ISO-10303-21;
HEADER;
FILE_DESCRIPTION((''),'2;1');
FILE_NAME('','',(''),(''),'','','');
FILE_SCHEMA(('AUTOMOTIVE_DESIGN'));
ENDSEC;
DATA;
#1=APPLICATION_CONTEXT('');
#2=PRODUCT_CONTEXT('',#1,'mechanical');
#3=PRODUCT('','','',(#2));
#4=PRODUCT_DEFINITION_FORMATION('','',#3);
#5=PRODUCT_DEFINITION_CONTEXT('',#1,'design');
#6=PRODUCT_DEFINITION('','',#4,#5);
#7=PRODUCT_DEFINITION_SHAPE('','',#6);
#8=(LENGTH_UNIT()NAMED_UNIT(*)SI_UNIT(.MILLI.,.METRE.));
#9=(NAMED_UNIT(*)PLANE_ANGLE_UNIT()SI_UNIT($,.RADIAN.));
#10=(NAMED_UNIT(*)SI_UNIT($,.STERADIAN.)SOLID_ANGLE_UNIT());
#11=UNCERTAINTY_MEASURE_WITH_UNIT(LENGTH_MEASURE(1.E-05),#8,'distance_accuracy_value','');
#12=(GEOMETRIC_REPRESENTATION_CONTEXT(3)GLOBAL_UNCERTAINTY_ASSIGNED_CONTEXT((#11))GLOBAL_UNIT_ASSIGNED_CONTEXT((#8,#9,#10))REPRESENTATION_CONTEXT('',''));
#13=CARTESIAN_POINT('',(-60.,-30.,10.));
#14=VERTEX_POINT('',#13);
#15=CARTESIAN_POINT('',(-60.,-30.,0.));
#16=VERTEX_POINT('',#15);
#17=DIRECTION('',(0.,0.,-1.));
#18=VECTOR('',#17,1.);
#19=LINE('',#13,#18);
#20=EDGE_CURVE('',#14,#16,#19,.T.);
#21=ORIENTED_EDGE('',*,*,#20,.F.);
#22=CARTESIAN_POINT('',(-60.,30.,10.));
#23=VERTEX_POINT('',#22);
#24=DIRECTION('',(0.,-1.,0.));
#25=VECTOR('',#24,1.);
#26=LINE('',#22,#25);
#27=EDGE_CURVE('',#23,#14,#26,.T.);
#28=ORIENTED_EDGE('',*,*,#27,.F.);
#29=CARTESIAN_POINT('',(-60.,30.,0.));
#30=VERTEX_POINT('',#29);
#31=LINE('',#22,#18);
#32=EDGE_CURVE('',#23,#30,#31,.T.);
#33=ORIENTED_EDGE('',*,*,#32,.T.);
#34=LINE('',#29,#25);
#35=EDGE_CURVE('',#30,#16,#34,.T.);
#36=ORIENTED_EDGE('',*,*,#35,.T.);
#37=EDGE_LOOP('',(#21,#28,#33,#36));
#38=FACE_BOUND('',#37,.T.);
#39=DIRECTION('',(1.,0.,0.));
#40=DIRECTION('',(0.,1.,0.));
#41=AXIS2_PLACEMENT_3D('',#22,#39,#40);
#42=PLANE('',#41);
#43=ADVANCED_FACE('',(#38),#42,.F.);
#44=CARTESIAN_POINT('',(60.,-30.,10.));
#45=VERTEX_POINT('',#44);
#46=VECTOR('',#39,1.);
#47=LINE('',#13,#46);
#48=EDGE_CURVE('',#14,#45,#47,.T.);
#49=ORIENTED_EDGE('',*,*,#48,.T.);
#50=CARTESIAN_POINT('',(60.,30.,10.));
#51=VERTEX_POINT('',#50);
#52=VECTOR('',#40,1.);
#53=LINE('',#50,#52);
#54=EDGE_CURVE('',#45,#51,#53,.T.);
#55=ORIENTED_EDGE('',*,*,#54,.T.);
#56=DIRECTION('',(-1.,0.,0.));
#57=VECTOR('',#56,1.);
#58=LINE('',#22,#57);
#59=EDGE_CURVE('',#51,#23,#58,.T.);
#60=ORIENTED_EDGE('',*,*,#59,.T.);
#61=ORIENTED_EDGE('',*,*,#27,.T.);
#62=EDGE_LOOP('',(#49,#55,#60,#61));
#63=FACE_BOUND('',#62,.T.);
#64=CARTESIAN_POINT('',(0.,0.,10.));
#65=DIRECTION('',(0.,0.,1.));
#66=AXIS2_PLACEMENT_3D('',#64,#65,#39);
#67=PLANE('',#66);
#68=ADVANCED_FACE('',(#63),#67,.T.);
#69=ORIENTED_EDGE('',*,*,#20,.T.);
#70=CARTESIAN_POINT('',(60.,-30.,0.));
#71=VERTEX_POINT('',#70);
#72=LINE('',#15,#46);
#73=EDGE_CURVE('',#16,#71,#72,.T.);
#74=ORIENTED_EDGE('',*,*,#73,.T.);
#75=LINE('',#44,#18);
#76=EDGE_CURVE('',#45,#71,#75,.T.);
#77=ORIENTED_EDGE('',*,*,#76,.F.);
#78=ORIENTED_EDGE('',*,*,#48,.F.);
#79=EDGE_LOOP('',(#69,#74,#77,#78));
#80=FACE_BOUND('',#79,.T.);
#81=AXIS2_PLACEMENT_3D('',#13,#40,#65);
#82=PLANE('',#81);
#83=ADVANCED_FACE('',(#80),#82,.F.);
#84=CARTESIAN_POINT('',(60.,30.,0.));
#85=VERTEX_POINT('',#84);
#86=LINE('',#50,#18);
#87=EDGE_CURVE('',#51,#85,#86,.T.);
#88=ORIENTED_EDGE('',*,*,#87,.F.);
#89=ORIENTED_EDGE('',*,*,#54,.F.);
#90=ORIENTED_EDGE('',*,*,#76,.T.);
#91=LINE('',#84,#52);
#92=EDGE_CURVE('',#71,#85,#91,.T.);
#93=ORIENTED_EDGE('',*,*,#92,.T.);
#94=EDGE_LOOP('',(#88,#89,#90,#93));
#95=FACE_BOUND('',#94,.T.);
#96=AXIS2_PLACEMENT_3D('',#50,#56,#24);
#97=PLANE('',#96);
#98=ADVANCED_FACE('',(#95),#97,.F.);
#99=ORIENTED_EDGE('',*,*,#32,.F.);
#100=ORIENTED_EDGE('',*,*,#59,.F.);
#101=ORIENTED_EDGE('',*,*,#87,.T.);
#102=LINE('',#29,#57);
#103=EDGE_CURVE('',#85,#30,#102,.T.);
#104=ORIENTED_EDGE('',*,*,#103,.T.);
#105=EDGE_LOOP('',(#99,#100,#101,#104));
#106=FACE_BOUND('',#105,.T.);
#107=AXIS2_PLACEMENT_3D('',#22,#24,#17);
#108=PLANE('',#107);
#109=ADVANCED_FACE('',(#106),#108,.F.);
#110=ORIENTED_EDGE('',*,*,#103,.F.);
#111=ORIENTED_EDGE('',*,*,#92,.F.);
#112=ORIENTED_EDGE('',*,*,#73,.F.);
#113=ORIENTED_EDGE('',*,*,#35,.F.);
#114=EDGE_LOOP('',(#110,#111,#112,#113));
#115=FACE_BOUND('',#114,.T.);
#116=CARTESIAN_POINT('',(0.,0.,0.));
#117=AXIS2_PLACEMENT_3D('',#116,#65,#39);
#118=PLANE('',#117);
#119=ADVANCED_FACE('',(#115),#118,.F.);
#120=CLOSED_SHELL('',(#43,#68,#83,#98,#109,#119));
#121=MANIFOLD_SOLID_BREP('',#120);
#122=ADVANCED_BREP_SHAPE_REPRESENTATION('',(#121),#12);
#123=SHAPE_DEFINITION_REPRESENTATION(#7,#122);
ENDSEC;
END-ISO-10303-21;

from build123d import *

# Parameters (mm, degrees)
SKETCH_1_W      = 120
SKETCH_1_H      = 60
EXTRUDE_1_DEPTH = 10


with BuildPart() as part:
    # 스케치1 → 보스-돌출1 (new body)
    with BuildSketch(Plane.XY):
        Rectangle(SKETCH_1_W, SKETCH_1_H)
    extrude(amount=EXTRUDE_1_DEPTH)


solid = part.part
